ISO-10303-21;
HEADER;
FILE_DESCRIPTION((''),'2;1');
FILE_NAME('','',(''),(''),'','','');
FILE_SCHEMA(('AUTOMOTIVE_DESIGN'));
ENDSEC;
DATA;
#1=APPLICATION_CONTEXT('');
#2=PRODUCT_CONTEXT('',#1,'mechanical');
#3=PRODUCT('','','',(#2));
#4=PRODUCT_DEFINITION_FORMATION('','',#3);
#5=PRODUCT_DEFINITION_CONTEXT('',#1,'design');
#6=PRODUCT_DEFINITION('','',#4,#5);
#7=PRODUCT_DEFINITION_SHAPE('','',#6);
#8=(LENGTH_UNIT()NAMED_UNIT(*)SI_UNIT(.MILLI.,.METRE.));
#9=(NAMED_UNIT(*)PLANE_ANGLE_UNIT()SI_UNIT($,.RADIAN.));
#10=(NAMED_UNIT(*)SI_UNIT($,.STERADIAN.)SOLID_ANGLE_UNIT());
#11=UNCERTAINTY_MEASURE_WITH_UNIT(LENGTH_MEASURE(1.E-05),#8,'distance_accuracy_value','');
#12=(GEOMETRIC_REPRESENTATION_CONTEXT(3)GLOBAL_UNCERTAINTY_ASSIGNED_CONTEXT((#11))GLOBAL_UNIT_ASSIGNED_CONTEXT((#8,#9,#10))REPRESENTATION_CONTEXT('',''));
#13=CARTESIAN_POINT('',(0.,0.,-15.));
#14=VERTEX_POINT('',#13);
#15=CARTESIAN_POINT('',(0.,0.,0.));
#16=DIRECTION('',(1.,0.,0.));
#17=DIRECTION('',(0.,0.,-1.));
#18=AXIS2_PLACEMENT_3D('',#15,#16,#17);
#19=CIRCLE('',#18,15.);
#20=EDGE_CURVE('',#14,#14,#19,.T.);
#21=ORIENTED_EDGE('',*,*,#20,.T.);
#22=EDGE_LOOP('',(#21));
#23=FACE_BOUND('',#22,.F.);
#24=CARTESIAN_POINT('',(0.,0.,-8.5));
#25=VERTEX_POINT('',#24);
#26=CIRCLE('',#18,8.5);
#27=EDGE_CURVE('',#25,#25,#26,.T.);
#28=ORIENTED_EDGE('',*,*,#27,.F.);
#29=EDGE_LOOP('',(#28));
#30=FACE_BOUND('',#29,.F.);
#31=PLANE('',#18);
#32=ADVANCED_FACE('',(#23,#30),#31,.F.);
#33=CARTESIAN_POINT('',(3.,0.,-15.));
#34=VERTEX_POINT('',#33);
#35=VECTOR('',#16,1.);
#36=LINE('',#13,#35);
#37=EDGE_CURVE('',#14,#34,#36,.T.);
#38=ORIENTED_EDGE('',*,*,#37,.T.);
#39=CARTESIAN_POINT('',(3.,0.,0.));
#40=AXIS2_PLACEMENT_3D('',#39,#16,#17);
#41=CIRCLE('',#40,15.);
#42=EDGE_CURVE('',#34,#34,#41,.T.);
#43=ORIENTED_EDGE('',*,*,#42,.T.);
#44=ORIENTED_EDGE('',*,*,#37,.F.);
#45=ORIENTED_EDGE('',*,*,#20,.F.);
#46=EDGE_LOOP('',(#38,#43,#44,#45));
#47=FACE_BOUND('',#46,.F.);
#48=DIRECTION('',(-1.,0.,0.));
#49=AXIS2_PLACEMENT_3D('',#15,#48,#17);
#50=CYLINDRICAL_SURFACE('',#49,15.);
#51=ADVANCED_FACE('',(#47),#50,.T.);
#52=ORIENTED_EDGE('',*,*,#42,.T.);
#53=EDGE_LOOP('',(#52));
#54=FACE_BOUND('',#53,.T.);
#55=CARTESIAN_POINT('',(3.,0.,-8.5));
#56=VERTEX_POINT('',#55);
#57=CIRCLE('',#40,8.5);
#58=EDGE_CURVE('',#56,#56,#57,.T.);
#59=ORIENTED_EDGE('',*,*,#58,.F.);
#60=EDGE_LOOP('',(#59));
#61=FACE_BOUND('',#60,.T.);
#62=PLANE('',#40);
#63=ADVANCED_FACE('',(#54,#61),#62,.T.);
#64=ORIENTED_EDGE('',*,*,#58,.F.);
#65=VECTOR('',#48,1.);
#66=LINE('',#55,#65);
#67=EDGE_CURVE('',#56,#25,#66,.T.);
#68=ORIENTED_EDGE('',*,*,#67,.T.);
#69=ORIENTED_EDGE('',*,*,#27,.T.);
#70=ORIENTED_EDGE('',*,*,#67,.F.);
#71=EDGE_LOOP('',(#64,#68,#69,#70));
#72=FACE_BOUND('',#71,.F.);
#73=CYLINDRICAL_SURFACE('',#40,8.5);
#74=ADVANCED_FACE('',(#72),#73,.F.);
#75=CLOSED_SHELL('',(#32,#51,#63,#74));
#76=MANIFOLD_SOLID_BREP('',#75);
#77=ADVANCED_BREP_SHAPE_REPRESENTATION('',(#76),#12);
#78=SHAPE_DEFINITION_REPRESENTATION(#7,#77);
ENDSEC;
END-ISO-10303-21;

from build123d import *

# Parameters (mm, degrees)
SKETCH1_R           = 15
BOSS_EXTRUDE1_DEPTH = 3
SKETCH2_R           = 8.5
CUT_EXTRUDE1_DEPTH  = 4


with BuildPart() as part:
    # Sketch1 → Boss-Extrude1 (new body)
    with BuildSketch(Plane(origin=(0, 0, 0), x_dir=(0, 0, -1), z_dir=(1, 0, 0))):
        Circle(SKETCH1_R)
    extrude(amount=BOSS_EXTRUDE1_DEPTH)

    # Sketch2 → Cut-Extrude1 (cut, through all)
    with BuildSketch(Plane(origin=(3, 0, 0), x_dir=(0, 0, -1), z_dir=(1, 0, 0))):
        Circle(SKETCH2_R)
    extrude(amount=-CUT_EXTRUDE1_DEPTH, mode=Mode.SUBTRACT)


solid = part.part
